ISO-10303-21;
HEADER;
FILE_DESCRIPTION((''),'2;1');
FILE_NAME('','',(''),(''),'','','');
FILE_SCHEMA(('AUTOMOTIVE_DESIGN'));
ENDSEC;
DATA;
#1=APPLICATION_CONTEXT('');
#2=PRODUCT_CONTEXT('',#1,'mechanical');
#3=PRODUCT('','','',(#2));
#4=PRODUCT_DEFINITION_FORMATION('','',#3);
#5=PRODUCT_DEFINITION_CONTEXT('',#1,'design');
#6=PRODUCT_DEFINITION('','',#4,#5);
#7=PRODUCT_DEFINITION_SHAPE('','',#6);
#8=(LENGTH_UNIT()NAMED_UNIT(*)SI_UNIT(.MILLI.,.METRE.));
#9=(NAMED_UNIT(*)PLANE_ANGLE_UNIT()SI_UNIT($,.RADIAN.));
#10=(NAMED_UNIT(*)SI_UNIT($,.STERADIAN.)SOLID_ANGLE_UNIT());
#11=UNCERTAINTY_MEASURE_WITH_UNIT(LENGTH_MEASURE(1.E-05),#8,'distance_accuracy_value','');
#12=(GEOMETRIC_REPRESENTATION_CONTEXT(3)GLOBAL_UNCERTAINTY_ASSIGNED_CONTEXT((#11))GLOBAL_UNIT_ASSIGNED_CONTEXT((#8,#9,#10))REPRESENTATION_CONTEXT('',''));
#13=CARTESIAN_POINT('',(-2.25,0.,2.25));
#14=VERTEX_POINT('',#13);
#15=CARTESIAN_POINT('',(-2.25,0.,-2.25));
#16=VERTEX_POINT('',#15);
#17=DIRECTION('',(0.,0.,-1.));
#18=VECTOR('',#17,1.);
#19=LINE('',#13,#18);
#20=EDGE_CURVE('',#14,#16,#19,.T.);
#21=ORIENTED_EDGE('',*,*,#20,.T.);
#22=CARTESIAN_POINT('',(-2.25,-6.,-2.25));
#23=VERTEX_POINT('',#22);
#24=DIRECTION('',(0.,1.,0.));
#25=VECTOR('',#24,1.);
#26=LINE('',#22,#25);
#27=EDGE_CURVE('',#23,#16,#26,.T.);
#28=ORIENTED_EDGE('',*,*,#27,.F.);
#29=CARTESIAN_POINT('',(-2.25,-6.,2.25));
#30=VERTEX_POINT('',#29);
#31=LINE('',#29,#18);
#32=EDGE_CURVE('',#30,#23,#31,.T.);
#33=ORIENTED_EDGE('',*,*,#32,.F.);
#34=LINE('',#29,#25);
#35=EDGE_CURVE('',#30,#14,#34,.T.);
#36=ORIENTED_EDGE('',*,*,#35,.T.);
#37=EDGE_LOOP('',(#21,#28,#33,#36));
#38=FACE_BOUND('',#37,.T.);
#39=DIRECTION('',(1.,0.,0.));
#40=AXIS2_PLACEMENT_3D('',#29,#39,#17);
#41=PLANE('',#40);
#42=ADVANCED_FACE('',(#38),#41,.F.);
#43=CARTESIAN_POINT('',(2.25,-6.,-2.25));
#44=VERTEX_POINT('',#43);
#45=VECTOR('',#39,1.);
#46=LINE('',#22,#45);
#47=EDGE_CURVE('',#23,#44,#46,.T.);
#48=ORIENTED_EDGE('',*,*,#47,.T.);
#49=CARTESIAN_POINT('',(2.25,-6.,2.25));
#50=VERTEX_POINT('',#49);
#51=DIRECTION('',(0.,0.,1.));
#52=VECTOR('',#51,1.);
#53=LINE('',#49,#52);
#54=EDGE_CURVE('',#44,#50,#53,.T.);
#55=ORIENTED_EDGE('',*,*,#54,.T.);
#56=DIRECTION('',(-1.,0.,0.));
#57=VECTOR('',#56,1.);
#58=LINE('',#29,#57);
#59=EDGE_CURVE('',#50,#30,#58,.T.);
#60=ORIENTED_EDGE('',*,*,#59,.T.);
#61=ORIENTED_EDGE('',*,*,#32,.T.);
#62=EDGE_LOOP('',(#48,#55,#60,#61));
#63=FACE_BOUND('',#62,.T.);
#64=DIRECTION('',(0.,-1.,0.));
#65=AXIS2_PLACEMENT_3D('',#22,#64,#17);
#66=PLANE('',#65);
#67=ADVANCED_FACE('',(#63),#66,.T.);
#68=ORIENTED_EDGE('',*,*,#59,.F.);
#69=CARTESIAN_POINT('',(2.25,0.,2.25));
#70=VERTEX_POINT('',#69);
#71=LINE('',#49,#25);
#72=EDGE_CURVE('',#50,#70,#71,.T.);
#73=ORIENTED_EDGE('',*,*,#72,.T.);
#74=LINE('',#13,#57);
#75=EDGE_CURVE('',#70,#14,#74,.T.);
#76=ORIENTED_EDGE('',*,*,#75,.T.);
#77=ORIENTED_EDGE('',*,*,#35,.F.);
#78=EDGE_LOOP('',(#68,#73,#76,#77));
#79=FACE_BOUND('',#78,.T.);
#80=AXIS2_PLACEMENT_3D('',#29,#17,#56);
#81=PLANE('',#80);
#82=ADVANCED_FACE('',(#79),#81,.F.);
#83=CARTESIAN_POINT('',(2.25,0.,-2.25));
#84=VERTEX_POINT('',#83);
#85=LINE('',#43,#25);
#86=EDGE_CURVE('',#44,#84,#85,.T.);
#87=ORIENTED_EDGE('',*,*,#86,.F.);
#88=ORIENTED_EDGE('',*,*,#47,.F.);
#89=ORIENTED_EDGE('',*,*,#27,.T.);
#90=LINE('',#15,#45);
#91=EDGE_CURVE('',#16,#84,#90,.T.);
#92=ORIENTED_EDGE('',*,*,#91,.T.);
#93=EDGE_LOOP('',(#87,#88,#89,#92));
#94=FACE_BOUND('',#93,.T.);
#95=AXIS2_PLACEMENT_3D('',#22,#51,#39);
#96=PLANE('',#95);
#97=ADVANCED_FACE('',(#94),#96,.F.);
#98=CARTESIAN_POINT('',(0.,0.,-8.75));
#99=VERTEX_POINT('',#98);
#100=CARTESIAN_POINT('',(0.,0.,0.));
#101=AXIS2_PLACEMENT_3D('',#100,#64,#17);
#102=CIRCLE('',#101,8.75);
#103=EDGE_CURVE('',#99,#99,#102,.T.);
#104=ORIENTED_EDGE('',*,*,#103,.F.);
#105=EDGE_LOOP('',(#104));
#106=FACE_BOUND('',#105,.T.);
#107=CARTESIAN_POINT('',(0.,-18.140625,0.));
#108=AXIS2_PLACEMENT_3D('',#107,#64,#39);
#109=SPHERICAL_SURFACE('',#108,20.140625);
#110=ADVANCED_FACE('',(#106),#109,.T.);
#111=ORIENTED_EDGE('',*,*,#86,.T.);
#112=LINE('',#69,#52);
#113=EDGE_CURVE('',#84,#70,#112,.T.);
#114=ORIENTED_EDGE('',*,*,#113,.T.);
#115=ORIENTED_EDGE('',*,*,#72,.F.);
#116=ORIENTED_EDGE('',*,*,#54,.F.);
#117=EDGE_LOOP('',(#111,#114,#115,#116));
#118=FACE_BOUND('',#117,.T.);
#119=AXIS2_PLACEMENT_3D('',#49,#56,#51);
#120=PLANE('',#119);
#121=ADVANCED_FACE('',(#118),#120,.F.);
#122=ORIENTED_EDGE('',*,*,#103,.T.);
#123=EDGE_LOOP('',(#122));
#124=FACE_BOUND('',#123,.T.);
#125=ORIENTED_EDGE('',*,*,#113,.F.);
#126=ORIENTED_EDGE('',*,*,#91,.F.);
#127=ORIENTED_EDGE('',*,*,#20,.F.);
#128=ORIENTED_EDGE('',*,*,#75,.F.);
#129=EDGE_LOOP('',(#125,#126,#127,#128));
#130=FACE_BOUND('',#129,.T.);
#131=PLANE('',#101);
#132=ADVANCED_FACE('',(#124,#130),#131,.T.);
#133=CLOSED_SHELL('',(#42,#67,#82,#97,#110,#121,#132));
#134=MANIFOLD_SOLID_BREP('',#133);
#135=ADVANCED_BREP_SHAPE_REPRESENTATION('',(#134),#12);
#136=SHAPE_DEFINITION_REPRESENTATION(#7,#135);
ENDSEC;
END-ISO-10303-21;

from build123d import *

# Parameters (mm, degrees)
SKETCH2_W      = 4.5
SKETCH2_H      = 4.5
EXTRUDE1_DEPTH = 6


with BuildPart() as part:
    # Sketch1 → Revolve1 (revolve)
    with BuildSketch(Plane.XY):
        with BuildLine():
            Line((0, 0), (0, 2))
            ThreePointArc((0, 2), (4.487830768, 1.493634609), (8.75, 0))
            Line((8.75, 0), (0, 0))
        make_face()
    revolve(axis=Axis((0, 0, 0), (0, 1, 0)))

    # Sketch2 → Extrude1 (add)
    with BuildSketch(Plane.XZ):
        Rectangle(SKETCH2_W, SKETCH2_H)
    extrude(amount=EXTRUDE1_DEPTH)


solid = part.part
